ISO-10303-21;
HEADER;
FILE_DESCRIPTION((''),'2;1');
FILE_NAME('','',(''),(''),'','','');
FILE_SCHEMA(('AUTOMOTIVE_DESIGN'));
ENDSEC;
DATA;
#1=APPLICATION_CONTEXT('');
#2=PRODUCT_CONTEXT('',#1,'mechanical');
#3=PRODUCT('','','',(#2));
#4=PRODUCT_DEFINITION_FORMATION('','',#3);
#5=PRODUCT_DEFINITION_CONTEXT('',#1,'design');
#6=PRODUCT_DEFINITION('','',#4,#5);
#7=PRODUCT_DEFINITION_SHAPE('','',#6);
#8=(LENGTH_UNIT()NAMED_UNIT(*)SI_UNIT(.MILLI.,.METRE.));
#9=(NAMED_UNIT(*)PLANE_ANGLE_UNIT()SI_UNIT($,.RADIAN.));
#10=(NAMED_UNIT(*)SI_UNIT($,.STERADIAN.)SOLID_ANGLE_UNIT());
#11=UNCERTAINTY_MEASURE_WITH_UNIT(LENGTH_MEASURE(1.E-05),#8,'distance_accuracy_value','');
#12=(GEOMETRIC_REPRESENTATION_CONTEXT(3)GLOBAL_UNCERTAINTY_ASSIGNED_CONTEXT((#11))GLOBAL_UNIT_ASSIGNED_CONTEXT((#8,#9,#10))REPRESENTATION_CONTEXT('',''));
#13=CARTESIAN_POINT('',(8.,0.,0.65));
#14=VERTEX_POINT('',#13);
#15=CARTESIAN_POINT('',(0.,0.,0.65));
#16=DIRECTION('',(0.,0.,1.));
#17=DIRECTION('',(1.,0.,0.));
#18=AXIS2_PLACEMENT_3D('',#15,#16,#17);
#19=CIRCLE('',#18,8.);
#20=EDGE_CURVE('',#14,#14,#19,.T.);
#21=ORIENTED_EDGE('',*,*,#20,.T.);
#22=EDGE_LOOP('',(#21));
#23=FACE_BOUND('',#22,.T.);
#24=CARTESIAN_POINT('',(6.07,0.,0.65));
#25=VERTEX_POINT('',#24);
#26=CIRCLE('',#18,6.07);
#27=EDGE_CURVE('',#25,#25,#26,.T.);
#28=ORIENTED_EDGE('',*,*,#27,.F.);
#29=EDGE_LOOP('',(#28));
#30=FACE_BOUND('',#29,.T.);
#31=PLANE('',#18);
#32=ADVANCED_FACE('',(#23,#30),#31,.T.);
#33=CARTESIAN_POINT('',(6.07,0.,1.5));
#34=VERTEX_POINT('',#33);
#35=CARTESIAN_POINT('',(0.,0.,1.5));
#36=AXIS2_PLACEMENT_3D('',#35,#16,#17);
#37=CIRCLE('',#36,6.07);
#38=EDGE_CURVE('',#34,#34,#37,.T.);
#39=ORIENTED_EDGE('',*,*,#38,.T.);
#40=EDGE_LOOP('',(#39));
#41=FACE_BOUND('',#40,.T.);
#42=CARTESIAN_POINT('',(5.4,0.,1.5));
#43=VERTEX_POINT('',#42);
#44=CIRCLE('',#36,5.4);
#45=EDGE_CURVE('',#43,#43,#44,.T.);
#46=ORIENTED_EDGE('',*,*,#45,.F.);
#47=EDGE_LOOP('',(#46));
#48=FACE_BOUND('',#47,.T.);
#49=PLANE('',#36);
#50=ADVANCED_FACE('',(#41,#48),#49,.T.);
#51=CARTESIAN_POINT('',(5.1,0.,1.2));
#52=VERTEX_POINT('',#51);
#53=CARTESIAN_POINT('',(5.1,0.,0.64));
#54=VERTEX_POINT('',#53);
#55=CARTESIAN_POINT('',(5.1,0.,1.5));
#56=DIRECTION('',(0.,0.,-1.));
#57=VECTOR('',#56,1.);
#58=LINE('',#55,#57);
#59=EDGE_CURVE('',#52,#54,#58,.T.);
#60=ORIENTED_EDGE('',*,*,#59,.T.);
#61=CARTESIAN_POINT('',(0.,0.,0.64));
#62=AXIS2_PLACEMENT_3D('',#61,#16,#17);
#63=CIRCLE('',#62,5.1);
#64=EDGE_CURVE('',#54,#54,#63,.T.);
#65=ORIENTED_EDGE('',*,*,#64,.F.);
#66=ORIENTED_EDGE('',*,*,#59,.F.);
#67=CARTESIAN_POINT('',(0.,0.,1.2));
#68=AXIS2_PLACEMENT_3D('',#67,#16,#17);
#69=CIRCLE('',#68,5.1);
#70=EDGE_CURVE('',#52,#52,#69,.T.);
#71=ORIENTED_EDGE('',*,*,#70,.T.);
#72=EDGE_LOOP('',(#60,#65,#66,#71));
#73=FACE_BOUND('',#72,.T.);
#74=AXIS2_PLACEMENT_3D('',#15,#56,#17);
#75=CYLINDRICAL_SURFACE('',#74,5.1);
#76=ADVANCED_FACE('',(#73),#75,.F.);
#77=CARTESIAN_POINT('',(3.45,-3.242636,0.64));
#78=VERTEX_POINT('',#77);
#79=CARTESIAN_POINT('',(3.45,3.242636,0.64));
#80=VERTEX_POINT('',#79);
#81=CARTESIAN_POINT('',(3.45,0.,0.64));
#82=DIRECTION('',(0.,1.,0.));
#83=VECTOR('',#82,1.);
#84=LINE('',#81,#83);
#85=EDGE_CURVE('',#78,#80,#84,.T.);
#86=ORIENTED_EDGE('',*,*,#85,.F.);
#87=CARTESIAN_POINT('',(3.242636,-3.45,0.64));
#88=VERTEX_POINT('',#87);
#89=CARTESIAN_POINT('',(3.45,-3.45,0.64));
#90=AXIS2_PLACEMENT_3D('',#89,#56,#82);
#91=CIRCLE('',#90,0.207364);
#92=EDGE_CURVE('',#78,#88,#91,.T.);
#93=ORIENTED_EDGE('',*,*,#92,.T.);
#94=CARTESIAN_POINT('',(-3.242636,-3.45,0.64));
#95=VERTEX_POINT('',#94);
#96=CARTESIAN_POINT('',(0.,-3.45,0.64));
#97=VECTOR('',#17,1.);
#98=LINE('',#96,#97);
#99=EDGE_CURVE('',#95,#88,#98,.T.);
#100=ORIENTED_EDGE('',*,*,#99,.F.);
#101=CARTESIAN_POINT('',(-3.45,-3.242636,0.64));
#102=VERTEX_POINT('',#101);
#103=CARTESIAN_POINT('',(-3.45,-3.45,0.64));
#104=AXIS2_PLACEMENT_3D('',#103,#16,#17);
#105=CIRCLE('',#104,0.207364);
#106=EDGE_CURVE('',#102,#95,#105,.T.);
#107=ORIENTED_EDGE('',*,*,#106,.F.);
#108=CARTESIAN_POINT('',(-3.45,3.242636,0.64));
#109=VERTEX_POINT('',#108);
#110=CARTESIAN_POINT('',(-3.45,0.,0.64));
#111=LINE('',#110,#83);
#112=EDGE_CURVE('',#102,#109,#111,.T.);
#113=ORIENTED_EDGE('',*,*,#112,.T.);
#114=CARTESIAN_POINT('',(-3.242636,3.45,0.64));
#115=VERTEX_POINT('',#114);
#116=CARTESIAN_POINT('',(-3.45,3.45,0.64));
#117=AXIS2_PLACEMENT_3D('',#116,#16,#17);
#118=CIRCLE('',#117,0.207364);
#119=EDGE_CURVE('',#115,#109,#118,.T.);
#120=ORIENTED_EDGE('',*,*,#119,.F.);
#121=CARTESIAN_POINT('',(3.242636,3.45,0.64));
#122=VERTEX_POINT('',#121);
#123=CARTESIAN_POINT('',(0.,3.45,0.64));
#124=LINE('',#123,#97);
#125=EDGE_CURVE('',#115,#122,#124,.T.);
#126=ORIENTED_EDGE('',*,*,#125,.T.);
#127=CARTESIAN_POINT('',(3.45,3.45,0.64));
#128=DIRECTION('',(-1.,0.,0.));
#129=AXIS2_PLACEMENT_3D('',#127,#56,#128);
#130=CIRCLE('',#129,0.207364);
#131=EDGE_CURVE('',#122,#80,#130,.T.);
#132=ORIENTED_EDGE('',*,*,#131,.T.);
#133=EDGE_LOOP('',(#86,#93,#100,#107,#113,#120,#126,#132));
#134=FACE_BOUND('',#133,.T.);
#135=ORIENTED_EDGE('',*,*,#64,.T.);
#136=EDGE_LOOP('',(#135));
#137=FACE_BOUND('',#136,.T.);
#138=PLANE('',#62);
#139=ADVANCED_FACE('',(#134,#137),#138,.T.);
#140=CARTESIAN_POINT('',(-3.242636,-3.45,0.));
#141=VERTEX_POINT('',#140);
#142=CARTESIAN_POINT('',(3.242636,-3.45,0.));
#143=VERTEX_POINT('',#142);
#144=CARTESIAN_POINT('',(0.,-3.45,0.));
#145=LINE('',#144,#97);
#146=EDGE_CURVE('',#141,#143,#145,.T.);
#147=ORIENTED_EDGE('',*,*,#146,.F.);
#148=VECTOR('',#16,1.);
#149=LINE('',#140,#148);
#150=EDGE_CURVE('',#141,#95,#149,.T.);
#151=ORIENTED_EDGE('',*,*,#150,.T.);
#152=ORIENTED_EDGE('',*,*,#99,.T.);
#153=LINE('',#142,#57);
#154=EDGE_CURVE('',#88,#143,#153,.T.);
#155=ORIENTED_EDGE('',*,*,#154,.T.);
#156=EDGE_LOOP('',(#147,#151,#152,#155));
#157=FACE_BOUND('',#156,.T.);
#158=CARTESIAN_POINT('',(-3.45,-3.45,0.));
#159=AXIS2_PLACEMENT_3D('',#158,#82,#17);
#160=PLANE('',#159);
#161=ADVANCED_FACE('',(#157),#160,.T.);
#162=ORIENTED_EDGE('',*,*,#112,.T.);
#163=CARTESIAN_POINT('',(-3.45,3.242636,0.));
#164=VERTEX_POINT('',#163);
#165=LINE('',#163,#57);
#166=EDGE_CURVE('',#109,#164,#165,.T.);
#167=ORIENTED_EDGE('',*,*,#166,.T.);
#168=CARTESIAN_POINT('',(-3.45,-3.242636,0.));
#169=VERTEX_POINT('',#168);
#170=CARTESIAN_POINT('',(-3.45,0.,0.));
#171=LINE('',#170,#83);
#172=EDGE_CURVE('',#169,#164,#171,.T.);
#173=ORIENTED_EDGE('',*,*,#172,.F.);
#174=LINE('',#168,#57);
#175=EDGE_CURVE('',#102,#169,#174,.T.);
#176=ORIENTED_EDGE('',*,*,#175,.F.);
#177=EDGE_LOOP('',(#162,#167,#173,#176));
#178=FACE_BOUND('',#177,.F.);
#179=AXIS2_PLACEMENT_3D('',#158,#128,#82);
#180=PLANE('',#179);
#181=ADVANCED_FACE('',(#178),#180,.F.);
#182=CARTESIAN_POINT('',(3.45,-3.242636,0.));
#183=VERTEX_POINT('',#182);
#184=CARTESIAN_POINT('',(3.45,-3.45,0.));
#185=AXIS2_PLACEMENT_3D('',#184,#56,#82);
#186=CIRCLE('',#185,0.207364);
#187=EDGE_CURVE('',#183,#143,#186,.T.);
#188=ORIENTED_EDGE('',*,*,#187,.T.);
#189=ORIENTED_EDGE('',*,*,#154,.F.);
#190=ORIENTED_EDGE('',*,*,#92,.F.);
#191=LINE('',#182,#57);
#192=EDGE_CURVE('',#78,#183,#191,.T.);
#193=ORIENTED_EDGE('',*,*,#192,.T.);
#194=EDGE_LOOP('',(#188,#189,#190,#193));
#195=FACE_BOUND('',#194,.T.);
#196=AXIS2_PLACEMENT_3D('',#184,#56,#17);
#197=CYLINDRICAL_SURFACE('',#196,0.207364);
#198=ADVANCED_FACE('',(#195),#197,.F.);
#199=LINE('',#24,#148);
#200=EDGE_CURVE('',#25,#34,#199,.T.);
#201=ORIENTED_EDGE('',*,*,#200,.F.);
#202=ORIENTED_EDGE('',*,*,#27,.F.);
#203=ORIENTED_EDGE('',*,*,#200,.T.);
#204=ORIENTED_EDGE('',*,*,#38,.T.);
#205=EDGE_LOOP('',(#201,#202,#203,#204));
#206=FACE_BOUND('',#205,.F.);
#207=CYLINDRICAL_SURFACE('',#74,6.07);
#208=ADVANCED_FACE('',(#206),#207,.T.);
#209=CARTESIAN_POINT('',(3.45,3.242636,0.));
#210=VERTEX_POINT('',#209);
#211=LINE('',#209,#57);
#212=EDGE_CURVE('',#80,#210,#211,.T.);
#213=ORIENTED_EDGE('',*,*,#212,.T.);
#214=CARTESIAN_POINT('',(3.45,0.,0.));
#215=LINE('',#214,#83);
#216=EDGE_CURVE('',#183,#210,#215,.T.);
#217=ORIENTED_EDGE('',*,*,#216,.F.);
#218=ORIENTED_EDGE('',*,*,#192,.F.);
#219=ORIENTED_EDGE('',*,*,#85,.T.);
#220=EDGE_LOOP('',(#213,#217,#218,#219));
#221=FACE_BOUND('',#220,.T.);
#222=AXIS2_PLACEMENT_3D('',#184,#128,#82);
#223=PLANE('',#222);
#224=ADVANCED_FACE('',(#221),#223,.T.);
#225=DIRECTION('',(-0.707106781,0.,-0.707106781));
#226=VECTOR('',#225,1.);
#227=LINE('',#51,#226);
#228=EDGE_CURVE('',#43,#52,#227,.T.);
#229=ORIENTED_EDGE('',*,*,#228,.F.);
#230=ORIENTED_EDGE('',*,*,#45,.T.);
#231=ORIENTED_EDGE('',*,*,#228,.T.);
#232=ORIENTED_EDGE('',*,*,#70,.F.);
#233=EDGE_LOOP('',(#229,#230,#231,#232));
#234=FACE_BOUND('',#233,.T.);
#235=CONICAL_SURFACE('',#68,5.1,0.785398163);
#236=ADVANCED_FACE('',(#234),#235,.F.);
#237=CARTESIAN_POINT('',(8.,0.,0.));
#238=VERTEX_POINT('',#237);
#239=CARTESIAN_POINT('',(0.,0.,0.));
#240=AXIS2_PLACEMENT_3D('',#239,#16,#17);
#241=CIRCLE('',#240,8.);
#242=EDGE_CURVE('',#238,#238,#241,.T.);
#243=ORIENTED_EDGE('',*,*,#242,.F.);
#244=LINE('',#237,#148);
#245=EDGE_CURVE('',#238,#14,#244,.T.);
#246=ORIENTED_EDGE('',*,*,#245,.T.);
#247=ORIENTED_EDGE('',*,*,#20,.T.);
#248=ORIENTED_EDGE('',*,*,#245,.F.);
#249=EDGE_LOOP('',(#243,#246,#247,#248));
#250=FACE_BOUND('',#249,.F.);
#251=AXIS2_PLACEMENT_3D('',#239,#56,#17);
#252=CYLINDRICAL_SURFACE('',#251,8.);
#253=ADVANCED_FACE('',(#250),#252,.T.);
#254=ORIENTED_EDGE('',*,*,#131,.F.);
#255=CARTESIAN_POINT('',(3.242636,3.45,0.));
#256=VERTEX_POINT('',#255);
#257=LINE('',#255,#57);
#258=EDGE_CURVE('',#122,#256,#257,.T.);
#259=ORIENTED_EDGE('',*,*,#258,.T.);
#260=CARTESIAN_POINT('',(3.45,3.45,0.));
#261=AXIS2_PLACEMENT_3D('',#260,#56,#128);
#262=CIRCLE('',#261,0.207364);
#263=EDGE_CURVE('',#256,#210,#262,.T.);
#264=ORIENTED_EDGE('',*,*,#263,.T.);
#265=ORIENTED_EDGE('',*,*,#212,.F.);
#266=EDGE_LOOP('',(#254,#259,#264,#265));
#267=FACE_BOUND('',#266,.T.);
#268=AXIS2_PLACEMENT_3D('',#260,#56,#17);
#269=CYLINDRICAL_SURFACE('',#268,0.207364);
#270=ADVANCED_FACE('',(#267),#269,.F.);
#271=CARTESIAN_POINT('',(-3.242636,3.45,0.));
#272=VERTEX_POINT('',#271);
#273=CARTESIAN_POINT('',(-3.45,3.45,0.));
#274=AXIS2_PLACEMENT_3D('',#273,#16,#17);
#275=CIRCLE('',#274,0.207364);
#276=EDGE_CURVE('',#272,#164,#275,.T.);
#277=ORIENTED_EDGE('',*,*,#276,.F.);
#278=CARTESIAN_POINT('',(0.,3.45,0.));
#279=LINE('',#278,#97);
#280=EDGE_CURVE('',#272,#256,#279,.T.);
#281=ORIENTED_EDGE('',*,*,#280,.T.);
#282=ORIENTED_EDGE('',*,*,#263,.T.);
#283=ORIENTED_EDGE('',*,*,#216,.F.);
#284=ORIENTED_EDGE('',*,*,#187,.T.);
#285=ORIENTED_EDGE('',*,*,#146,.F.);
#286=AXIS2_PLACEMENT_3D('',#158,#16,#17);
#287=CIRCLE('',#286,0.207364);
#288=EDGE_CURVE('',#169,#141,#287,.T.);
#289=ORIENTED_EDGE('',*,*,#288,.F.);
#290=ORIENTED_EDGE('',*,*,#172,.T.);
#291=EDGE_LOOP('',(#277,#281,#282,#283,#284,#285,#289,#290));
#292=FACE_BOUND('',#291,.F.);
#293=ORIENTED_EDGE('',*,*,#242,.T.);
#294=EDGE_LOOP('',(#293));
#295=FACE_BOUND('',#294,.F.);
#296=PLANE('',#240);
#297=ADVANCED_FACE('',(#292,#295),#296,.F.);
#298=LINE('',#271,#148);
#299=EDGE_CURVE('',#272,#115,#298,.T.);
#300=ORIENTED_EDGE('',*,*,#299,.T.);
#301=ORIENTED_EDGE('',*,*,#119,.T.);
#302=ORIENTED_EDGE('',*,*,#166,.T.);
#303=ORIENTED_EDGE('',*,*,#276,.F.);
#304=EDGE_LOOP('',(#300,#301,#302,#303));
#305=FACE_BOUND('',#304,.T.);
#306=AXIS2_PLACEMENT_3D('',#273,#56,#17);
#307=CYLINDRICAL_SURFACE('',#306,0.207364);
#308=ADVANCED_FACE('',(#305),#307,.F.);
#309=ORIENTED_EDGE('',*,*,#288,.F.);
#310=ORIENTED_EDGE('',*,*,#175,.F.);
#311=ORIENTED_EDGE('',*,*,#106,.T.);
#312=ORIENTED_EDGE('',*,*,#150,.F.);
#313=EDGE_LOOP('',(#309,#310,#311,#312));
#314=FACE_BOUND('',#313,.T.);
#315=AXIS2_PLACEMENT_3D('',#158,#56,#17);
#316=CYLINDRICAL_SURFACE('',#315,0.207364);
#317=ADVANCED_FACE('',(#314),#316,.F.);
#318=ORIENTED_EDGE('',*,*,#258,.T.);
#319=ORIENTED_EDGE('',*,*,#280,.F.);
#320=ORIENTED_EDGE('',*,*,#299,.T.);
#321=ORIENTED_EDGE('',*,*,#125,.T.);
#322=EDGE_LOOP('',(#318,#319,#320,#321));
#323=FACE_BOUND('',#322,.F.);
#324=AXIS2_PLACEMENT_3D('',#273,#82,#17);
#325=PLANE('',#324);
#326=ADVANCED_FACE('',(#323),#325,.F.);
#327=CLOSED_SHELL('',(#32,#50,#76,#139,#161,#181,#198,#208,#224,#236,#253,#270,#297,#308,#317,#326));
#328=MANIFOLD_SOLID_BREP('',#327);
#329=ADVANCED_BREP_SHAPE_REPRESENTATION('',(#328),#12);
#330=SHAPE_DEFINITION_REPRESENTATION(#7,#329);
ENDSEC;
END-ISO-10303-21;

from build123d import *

# Parameters (mm, degrees)
SKETCH_1_R          = 8
EXTRUDE_1_DEPTH     = 0.65
EXTRUDE_START       = 0.65
SKETCH_2_R          = 6.07
SKETCH_2_R_2        = 5.1
EXTRUDE_2_DEPTH     = 0.85
CUT_EXTRUDE_START   = 0.65
SKETCH_3_R          = 5.1
CUT_EXTRUDE_1_DEPTH = 0.01
SKETCH_4_W          = 6.9
SKETCH_4_H          = 6.9
CUT_EXTRUDE_2_DEPTH = 0.64
CHAMFER_1_SIZE      = 0.3
SKETCH_6_R          = 0.207363545
CUT_EXTRUDE_3_DEPTH = 0.64


with BuildPart() as part:
    # 草图1 → 凸台-拉伸1 (new body)
    with BuildSketch(Plane.XY):
        Circle(SKETCH_1_R)
    extrude(amount=EXTRUDE_1_DEPTH)

    # 草图2 → 凸台-拉伸2 (add)
    with BuildSketch(Plane.XY.offset(EXTRUDE_START)):
        Circle(SKETCH_2_R)
        Circle(SKETCH_2_R_2, mode=Mode.SUBTRACT)
    extrude(amount=EXTRUDE_2_DEPTH)

    # 草图3 → 切除-拉伸1 (cut)
    with BuildSketch(Plane.XY.offset(CUT_EXTRUDE_START)):
        Circle(SKETCH_3_R)
    extrude(amount=-CUT_EXTRUDE_1_DEPTH, mode=Mode.SUBTRACT)

    # 草图4 → 切除-拉伸2 (cut)
    with BuildSketch(Plane.XY):
        Rectangle(SKETCH_4_W, SKETCH_4_H)
    extrude(amount=CUT_EXTRUDE_2_DEPTH, mode=Mode.SUBTRACT)

    # 倒角1
    chamfer_1_edges = [part.edges().sort_by_distance(p)[0] for p in [
        (-5.1, 0, 1.5),
    ]]
    chamfer(chamfer_1_edges, length=CHAMFER_1_SIZE)

    # 草图6 → 切除-拉伸3 (cut)
    with BuildSketch(Plane.XY):
        with Locations((-3.45, 3.45)):
            Circle(SKETCH_6_R)
        with Locations((3.45, 3.45)):
            Circle(SKETCH_6_R)
        with Locations((3.45, -3.45)):
            Circle(SKETCH_6_R)
        with Locations((-3.45, -3.45)):
            Circle(SKETCH_6_R)
    extrude(amount=CUT_EXTRUDE_3_DEPTH, mode=Mode.SUBTRACT)


solid = part.part
